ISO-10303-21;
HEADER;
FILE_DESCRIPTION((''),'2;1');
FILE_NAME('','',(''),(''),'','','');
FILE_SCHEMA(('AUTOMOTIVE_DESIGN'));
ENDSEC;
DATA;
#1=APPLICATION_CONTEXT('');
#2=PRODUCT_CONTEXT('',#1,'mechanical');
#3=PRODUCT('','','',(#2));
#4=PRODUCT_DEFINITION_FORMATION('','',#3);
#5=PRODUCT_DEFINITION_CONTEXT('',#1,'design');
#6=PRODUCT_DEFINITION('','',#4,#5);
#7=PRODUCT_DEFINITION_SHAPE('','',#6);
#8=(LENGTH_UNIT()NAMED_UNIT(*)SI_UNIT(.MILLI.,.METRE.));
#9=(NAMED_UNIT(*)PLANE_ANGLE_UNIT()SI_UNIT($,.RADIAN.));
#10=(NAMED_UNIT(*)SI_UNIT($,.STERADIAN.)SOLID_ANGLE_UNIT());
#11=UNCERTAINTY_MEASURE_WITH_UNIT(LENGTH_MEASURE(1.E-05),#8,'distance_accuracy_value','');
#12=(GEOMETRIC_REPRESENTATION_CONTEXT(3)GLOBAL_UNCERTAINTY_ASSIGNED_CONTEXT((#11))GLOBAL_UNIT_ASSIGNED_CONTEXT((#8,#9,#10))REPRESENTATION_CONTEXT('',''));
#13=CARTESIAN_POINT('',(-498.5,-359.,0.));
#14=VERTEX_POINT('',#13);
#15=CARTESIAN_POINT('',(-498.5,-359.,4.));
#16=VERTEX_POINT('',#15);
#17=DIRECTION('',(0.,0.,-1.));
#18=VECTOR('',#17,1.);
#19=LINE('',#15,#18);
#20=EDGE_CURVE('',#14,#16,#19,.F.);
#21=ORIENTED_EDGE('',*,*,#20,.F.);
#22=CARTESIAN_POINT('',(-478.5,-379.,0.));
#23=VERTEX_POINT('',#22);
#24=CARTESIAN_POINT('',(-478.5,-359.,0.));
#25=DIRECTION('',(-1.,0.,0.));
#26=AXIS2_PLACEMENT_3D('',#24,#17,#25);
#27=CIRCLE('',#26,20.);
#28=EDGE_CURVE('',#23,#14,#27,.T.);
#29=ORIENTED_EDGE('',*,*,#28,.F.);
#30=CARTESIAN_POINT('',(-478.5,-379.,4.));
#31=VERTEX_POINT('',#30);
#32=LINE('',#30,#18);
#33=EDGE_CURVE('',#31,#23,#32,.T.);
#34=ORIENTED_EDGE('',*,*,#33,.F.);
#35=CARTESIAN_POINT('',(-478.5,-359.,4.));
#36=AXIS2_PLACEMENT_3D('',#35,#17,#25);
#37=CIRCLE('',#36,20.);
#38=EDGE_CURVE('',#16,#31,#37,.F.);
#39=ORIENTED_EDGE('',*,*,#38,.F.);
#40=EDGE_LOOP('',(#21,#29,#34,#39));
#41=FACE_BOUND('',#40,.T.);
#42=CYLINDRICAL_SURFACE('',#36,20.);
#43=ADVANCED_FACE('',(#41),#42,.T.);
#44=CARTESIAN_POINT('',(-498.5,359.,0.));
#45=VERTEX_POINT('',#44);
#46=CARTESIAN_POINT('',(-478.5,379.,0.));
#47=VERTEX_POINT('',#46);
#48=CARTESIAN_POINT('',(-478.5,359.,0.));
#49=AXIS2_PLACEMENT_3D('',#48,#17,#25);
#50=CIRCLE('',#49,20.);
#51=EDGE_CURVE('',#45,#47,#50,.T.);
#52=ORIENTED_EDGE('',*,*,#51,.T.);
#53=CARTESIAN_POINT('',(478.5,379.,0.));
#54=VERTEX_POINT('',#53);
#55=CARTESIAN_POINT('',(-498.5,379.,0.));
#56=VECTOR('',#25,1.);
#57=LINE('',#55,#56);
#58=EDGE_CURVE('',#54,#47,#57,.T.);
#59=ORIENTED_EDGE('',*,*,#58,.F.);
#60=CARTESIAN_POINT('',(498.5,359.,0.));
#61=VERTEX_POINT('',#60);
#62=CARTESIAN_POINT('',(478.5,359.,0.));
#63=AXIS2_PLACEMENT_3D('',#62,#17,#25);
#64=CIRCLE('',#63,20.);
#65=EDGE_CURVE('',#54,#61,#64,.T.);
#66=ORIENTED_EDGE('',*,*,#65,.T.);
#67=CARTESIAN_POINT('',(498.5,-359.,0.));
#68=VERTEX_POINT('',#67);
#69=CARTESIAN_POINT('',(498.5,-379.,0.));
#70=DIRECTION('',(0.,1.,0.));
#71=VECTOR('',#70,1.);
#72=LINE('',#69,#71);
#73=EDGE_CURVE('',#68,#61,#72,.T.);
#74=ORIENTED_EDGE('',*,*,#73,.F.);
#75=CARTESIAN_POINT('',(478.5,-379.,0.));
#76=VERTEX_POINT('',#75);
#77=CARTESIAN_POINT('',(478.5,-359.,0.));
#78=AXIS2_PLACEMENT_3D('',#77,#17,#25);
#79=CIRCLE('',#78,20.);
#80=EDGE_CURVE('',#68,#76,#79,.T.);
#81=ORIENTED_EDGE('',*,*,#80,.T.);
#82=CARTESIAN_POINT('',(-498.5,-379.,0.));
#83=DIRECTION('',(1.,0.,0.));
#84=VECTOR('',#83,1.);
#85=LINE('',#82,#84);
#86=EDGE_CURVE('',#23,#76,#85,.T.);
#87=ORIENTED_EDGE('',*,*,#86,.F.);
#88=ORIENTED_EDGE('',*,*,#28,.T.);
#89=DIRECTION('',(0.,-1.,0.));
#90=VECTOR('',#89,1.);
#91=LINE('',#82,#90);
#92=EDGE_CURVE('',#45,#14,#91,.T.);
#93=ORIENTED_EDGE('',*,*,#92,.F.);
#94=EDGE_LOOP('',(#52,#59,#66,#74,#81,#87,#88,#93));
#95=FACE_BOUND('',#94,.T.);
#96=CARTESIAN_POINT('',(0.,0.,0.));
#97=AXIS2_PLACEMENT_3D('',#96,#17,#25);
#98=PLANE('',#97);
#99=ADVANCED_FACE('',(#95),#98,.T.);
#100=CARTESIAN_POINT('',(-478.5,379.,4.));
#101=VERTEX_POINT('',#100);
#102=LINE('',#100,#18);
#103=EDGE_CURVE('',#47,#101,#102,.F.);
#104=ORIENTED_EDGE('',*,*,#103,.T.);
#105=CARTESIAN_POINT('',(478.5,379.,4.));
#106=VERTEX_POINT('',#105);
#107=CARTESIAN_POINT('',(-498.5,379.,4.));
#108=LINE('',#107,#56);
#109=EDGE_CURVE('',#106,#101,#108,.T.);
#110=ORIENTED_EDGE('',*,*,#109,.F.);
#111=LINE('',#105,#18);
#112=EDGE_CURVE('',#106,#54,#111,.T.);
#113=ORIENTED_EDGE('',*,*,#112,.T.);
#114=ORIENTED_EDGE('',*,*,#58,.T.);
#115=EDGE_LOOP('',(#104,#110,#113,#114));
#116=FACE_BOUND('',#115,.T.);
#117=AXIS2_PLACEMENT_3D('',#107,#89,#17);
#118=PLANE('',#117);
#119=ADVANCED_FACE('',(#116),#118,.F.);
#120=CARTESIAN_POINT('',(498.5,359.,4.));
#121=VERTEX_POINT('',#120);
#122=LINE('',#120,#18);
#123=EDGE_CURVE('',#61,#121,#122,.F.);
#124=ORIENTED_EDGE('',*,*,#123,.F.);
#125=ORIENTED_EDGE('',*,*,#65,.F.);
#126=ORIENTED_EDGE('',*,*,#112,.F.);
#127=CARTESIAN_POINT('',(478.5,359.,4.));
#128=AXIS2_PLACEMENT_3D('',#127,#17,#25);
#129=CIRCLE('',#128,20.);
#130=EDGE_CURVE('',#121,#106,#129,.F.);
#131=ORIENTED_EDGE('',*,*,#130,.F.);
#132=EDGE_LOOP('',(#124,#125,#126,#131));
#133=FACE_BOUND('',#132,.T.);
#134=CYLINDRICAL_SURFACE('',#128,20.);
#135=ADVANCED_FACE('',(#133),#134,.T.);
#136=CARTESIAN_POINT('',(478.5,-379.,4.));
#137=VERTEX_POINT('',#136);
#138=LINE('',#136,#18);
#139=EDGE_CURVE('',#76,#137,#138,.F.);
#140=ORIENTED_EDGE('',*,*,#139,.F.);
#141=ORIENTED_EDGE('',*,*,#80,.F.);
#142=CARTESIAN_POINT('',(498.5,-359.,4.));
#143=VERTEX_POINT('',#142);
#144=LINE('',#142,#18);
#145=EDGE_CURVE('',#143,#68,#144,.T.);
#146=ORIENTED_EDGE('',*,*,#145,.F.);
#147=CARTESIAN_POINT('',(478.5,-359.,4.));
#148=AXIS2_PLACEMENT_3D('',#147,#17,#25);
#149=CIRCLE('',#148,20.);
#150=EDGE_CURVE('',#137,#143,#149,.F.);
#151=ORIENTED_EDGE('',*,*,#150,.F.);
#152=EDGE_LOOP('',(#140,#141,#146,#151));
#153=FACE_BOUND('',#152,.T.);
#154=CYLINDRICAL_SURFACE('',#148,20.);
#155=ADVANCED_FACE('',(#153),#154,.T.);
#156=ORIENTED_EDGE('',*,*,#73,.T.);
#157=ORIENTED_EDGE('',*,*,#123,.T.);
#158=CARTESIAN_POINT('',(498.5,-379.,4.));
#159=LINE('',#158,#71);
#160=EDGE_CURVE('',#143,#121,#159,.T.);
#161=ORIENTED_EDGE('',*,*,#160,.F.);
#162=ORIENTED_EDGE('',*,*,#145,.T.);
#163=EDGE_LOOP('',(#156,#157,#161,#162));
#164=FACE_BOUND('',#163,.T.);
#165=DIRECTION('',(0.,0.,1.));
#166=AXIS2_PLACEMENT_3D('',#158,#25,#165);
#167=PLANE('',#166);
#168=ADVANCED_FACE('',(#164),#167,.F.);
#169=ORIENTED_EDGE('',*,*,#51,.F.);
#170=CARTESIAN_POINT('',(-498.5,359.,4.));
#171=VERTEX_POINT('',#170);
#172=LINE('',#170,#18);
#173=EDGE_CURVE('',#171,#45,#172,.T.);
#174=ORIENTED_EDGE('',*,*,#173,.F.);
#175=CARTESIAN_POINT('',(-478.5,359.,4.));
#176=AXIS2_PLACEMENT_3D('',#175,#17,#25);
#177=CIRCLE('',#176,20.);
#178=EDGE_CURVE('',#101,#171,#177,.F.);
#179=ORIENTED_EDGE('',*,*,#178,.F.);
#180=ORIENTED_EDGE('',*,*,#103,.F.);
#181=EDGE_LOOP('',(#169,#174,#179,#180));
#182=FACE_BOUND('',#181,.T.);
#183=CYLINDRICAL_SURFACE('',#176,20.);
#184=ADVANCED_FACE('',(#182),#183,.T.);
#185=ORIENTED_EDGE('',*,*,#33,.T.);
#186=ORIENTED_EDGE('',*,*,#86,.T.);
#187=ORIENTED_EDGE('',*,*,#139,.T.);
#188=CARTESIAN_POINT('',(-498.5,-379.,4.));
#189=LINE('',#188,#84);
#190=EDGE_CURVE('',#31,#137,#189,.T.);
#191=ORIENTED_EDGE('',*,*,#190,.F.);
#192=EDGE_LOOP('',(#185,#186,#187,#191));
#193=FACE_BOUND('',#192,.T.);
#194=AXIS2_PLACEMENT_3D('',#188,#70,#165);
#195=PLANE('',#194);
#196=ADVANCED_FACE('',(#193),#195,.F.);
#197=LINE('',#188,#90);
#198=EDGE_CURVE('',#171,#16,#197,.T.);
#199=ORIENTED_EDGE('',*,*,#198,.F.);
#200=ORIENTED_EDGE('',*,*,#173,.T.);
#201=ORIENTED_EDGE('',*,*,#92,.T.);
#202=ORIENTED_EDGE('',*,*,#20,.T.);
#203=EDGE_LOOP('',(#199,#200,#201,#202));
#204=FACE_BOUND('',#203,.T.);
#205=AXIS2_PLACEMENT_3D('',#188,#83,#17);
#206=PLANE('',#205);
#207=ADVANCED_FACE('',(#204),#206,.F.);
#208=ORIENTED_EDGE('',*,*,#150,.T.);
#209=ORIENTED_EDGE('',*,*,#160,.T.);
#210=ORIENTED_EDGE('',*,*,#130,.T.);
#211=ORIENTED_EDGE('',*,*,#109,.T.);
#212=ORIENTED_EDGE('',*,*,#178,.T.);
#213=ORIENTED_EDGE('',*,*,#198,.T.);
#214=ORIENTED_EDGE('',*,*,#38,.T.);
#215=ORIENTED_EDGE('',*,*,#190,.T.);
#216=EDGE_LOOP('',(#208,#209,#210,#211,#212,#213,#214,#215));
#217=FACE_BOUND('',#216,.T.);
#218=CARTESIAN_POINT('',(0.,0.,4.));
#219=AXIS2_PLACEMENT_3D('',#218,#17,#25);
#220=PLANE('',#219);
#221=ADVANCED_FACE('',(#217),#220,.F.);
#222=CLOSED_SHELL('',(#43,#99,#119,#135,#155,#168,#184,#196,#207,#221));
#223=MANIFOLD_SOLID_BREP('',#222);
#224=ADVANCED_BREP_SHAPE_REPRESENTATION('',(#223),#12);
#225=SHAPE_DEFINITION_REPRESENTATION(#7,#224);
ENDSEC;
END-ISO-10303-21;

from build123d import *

# Parameters (mm, degrees)
SKETCH1_W           = 997
SKETCH1_H           = 758
BOSS_EXTRUDE1_DEPTH = 4
FILLET1_R           = 20


with BuildPart() as part:
    # Sketch1 → Boss-Extrude1 (new body)
    with BuildSketch(Plane.XY):
        Rectangle(SKETCH1_W, SKETCH1_H)
    extrude(amount=BOSS_EXTRUDE1_DEPTH)

    # Fillet1
    fillet1_edges = [part.edges().sort_by_distance(p)[0] for p in [
        (498.5, -379, 2),
        (-498.5, -379, 2),
        (-498.5, 379, 2),
        (498.5, 379, 2),
    ]]
    fillet(fillet1_edges, radius=FILLET1_R)


solid = part.part
